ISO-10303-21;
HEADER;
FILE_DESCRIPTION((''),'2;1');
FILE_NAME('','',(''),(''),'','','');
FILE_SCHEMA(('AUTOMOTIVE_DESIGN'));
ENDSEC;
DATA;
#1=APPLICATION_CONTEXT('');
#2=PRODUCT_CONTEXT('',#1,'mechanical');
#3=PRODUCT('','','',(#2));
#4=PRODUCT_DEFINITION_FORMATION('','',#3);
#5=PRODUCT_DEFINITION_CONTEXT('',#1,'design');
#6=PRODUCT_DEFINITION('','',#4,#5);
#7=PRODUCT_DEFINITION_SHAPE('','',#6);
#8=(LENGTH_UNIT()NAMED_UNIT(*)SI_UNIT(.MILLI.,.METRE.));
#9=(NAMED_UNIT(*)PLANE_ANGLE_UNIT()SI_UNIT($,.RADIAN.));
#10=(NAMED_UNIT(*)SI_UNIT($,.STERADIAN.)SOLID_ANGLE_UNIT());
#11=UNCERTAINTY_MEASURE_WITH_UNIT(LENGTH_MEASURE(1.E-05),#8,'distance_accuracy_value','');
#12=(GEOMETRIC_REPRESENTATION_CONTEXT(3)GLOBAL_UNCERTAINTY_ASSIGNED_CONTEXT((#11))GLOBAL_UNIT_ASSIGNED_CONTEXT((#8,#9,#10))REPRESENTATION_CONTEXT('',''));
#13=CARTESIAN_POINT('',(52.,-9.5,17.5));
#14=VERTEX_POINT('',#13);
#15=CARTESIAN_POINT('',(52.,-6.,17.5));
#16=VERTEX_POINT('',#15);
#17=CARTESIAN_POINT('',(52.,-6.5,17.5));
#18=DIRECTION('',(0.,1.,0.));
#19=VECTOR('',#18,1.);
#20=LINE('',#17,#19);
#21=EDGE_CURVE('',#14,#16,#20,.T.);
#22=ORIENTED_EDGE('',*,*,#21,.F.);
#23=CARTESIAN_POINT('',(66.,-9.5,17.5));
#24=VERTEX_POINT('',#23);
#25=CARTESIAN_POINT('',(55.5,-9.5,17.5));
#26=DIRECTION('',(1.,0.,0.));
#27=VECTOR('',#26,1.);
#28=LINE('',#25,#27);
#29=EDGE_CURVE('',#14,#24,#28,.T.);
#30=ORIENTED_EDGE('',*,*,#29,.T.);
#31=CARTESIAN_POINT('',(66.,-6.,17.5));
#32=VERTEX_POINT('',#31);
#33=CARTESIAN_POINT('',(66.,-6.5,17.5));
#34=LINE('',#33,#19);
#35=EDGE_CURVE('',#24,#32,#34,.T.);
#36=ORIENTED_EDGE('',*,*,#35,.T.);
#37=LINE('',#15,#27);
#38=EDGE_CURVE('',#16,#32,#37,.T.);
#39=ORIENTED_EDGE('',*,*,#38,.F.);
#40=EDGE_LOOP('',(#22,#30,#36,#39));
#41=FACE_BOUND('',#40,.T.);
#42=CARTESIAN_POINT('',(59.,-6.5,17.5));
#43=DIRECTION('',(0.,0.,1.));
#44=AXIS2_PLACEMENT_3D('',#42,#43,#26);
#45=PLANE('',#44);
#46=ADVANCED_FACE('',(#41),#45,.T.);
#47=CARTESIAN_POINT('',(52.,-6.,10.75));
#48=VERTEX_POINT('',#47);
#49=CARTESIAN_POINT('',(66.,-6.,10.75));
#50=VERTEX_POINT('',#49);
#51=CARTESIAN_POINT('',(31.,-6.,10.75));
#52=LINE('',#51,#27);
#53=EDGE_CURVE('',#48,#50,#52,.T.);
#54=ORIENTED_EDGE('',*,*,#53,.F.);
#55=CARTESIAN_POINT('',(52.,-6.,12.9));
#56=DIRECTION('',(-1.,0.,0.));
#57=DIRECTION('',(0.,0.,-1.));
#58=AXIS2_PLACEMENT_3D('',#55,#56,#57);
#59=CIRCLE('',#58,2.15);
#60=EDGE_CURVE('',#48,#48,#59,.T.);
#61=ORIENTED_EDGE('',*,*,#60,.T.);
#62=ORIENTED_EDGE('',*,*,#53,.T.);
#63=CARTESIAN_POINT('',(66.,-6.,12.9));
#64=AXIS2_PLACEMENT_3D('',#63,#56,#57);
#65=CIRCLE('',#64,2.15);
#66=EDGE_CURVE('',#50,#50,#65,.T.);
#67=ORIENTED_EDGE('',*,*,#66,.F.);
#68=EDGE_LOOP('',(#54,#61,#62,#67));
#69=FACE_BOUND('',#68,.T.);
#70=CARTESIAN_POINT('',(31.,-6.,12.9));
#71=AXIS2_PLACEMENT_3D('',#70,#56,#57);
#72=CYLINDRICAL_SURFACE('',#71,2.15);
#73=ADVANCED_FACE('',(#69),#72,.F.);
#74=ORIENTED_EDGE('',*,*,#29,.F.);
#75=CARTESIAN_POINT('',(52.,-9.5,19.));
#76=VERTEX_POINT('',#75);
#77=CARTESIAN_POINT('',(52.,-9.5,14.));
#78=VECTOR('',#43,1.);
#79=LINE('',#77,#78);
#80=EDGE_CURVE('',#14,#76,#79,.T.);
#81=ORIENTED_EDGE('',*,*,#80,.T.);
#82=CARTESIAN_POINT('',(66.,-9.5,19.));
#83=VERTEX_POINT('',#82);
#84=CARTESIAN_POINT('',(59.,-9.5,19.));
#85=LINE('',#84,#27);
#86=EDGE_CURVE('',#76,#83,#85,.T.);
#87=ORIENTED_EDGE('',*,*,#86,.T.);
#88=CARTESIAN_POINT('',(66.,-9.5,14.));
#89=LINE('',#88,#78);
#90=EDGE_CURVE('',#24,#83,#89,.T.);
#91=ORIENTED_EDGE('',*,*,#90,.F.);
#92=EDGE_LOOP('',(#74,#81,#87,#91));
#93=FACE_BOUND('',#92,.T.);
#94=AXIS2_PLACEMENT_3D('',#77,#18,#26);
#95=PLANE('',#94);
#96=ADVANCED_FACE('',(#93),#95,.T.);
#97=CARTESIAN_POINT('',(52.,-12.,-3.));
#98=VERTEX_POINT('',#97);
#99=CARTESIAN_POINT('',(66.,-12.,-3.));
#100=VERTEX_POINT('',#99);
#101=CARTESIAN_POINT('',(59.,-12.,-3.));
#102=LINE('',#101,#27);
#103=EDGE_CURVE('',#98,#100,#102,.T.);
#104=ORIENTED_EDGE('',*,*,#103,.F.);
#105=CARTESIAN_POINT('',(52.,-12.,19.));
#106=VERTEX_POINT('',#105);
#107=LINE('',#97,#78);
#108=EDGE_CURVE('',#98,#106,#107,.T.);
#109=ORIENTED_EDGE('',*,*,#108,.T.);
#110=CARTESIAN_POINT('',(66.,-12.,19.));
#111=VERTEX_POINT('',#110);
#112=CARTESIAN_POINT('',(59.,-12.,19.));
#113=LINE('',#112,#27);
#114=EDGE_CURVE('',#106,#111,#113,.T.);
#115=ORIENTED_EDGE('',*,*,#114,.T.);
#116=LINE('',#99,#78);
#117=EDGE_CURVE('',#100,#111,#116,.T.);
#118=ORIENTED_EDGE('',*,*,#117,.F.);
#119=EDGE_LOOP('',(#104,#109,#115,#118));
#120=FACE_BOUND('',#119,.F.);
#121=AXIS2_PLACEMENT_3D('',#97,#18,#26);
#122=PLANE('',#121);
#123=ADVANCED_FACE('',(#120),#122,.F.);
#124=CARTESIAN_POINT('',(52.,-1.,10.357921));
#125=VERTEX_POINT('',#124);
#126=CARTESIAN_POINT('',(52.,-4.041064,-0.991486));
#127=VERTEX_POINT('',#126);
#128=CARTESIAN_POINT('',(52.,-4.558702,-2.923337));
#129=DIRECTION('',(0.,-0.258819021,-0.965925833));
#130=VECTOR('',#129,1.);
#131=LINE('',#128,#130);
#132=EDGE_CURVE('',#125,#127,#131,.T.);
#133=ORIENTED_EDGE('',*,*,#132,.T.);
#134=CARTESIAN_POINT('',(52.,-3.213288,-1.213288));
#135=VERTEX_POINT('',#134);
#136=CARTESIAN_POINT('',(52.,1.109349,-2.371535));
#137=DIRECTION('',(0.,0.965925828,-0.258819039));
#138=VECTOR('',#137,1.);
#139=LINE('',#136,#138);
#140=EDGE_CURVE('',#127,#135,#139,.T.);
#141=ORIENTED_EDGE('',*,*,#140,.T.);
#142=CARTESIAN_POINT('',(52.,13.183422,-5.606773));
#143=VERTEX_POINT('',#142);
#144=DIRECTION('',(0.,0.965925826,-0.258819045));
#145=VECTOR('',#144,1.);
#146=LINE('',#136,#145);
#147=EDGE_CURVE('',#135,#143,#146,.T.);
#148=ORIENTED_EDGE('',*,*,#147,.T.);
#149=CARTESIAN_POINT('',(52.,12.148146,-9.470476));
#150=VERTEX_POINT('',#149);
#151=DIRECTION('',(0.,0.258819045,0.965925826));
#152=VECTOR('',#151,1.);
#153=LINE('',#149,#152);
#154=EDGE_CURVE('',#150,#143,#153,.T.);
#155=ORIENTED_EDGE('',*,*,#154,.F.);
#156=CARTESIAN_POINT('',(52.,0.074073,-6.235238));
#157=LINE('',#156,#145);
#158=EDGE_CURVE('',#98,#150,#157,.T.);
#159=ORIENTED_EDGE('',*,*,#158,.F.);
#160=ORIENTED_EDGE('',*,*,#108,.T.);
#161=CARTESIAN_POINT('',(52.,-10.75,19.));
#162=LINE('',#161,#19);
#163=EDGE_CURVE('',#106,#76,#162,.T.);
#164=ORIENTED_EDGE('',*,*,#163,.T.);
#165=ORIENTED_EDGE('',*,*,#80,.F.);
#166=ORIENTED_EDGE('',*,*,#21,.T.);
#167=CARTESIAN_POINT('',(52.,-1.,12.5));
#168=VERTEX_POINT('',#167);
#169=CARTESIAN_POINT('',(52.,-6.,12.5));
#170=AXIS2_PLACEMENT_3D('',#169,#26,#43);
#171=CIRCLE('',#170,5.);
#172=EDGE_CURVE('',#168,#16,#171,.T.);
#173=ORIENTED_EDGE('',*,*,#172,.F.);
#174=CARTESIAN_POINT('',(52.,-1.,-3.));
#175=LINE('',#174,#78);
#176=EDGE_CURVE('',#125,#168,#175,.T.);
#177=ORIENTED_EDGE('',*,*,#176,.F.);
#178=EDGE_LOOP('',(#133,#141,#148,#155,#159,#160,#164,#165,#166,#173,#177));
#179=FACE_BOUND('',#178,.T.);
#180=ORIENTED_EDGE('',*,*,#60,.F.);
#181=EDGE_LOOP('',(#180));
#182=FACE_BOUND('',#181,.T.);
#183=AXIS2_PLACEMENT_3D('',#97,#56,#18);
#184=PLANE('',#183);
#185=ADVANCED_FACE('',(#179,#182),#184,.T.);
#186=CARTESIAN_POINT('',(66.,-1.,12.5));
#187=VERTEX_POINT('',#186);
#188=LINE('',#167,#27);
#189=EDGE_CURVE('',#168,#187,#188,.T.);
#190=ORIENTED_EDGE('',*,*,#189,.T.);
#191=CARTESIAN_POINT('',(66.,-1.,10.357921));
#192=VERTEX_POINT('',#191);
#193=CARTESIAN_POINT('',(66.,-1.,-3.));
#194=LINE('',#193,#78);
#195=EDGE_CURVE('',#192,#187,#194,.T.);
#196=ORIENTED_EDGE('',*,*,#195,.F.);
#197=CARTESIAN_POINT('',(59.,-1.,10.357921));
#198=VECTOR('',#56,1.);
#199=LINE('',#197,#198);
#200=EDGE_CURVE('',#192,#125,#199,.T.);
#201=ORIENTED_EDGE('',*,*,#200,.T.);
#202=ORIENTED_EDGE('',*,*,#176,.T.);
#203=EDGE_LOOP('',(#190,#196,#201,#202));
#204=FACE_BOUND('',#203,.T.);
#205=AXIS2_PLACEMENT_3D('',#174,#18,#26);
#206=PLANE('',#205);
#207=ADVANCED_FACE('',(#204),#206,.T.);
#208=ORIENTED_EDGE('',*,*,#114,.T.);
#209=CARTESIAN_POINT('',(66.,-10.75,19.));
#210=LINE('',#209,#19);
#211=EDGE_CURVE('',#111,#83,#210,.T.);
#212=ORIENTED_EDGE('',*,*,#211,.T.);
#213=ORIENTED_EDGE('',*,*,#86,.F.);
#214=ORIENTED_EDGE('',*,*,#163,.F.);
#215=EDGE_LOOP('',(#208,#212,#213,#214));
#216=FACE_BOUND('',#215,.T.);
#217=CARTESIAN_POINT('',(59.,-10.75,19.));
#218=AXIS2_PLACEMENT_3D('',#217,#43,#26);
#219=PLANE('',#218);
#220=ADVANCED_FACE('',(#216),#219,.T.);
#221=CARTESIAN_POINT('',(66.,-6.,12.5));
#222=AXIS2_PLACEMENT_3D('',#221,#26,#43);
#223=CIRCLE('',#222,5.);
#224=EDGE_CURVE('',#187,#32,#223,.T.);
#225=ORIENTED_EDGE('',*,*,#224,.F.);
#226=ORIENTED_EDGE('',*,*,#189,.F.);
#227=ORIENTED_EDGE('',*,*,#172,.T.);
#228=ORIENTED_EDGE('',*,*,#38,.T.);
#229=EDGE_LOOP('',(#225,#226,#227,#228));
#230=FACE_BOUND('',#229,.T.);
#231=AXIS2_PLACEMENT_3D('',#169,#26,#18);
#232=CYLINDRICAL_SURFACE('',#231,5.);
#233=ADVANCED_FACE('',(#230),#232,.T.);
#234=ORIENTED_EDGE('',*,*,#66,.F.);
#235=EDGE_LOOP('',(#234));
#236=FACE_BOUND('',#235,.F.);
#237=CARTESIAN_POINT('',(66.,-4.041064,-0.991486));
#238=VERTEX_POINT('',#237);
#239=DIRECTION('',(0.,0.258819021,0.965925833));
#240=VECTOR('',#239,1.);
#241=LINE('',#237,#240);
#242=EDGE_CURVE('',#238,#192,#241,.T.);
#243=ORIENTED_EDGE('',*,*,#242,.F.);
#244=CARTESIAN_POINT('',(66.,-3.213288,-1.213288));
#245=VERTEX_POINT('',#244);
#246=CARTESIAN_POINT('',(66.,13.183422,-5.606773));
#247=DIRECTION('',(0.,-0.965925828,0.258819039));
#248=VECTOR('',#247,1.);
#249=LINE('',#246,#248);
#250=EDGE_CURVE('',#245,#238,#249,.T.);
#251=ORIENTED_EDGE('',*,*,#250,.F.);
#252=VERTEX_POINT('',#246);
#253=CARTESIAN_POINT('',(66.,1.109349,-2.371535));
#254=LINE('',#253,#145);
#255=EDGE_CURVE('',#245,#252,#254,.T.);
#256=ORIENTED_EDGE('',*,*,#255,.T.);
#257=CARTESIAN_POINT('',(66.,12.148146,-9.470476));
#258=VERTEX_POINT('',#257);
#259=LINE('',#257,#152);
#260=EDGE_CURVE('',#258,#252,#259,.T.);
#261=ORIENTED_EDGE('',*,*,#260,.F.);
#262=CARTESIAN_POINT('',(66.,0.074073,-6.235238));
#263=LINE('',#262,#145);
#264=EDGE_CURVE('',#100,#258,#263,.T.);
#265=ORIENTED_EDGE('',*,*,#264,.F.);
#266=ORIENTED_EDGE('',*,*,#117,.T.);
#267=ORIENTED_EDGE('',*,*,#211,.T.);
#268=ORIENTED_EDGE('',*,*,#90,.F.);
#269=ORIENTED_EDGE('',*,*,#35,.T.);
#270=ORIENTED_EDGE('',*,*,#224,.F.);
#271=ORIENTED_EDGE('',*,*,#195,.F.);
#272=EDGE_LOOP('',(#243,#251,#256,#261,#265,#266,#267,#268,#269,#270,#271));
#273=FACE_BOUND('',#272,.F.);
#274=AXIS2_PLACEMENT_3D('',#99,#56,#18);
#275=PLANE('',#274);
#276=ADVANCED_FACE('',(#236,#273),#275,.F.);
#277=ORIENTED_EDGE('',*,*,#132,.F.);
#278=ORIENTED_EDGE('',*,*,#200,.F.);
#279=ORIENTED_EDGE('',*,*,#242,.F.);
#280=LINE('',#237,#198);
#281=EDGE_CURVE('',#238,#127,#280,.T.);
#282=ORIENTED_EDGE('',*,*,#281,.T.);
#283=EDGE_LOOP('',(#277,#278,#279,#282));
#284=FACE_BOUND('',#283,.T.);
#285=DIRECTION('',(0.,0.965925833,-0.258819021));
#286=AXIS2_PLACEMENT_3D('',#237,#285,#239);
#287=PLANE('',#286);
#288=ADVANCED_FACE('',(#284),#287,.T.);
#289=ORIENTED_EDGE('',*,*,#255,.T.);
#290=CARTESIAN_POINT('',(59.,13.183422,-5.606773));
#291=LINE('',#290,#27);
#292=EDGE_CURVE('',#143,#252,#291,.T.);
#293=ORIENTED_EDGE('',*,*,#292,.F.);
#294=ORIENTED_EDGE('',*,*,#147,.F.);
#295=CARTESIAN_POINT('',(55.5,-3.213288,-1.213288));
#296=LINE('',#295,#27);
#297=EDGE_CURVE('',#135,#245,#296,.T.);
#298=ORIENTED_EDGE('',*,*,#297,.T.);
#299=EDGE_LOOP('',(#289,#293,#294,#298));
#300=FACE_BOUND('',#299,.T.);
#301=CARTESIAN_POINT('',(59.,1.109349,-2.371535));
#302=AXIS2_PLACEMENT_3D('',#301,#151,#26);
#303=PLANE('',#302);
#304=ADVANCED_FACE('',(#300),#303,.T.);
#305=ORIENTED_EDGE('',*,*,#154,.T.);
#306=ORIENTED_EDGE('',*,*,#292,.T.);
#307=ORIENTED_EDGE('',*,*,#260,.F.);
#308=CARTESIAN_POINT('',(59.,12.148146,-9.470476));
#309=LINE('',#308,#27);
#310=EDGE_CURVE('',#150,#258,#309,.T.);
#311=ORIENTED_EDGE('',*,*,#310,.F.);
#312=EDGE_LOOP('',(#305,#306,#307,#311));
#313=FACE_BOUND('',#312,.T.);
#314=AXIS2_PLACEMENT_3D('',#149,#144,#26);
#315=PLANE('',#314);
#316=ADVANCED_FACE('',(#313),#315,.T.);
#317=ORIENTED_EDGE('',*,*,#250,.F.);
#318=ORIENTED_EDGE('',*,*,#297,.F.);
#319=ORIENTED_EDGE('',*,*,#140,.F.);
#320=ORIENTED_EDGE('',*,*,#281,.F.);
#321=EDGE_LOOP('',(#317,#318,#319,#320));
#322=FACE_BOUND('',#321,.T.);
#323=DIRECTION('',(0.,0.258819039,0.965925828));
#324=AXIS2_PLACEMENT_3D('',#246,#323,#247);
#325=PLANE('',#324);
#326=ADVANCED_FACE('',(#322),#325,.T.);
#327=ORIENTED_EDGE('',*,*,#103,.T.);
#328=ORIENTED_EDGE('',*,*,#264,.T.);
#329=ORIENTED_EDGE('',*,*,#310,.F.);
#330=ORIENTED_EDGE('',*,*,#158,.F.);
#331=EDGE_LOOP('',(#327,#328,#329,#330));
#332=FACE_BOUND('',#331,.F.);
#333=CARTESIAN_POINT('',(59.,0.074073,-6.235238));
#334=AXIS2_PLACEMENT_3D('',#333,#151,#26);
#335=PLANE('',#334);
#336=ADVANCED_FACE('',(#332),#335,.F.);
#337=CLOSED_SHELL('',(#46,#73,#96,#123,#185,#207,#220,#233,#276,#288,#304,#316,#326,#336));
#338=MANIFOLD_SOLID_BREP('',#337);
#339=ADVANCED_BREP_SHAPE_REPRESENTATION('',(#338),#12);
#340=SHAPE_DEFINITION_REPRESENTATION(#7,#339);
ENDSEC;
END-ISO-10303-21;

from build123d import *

# Parameters (mm, degrees)
CYLINDER_R           = 2.15
CYLINDER_DEPTH       = 50
CYLINDER_PITCH_ANGLE = 90
BOX002_W             = 14
BOX002_H             = 11
BOX002_DEPTH         = 20.5
CHAMFER_SIZE         = 4
FILLET001_R          = 5
BOX003_W             = 14
BOX003_H             = 25
BOX003_DEPTH         = 4
BOX003_ROLL_ANGLE    = -15
BOX004_W             = 14
BOX004_H             = 2.5
BOX004_DEPTH         = 5
POCKET006_DEPTH      = 15


with BuildPart() as cylinder:
    # Cylinder → Cylinder (new body)
    with BuildSketch(Plane.XY):
        Circle(CYLINDER_R)
    extrude(amount=CYLINDER_DEPTH)


with BuildPart() as cylinder_1:
    # Cylinder pitch: moved
    add(cylinder.part.rotate(Axis((0, 0, 0), (0, 1, 0)), CYLINDER_PITCH_ANGLE))


with BuildPart() as cylinder_2:
    # Cylinder placement: moved
    add(cylinder_1.part.moved(Location((31, -6, 12.9))))


with BuildPart() as fillet001:
    # Box002 → Box002 (new body)
    with BuildSketch(Plane(origin=(52, -12, -3), x_dir=(1, 0, 0), z_dir=(0, 0, 1))):
        with Locations((7, 5.5)):
            Rectangle(BOX002_W, BOX002_H)
    extrude(amount=BOX002_DEPTH)

    # Chamfer
    chamfer_edges = [fillet001.edges().sort_by_distance(p)[0] for p in [
        (59, -1, -3),
    ]]
    chamfer(chamfer_edges, length=CHAMFER_SIZE)

    # Fillet001
    fillet001_edges = [fillet001.edges().sort_by_distance(p)[0] for p in [
        (59, -1, 17.5),
    ]]
    fillet(fillet001_edges, radius=FILLET001_R)


with BuildPart() as cube002:
    # Box003 → Box003 (new body)
    with BuildSketch(Plane.XY):
        with Locations((7, 12.5)):
            Rectangle(BOX003_W, BOX003_H)
    extrude(amount=BOX003_DEPTH)


with BuildPart() as cube002_1:
    # Box003 roll: moved
    add(cube002.part.rotate(Axis((0, 0, 0), (1, 0, 0)), BOX003_ROLL_ANGLE))


with BuildPart() as cube002_2:
    # Box003 placement: moved
    add(cube002_1.part.moved(Location((52, -12, -3))))


with BuildPart() as enganche001:
    # Box004 → Box004 (new body)
    with BuildSketch(Plane(origin=(52, -12, 14), x_dir=(1, 0, 0), z_dir=(0, 0, 1))):
        with Locations((7, 1.25)):
            Rectangle(BOX004_W, BOX004_H)
    extrude(amount=BOX004_DEPTH)

    # Fusion: union Fillet001, Cube002
    add(fillet001.part)
    add(cube002_2.part)

    # Cut001: cut Cylinder
    add(cylinder_2.part, mode=Mode.SUBTRACT)

    # Sketch006 → Pocket006 (cut)
    with BuildSketch(Plane.YZ.offset(66)):
        Polygon((13.183422, -5.606773), (-4.041064, -0.991486), (-0.407217, 12.570217), align=None)
    extrude(amount=-POCKET006_DEPTH, mode=Mode.SUBTRACT)


solid = enganche001.part
